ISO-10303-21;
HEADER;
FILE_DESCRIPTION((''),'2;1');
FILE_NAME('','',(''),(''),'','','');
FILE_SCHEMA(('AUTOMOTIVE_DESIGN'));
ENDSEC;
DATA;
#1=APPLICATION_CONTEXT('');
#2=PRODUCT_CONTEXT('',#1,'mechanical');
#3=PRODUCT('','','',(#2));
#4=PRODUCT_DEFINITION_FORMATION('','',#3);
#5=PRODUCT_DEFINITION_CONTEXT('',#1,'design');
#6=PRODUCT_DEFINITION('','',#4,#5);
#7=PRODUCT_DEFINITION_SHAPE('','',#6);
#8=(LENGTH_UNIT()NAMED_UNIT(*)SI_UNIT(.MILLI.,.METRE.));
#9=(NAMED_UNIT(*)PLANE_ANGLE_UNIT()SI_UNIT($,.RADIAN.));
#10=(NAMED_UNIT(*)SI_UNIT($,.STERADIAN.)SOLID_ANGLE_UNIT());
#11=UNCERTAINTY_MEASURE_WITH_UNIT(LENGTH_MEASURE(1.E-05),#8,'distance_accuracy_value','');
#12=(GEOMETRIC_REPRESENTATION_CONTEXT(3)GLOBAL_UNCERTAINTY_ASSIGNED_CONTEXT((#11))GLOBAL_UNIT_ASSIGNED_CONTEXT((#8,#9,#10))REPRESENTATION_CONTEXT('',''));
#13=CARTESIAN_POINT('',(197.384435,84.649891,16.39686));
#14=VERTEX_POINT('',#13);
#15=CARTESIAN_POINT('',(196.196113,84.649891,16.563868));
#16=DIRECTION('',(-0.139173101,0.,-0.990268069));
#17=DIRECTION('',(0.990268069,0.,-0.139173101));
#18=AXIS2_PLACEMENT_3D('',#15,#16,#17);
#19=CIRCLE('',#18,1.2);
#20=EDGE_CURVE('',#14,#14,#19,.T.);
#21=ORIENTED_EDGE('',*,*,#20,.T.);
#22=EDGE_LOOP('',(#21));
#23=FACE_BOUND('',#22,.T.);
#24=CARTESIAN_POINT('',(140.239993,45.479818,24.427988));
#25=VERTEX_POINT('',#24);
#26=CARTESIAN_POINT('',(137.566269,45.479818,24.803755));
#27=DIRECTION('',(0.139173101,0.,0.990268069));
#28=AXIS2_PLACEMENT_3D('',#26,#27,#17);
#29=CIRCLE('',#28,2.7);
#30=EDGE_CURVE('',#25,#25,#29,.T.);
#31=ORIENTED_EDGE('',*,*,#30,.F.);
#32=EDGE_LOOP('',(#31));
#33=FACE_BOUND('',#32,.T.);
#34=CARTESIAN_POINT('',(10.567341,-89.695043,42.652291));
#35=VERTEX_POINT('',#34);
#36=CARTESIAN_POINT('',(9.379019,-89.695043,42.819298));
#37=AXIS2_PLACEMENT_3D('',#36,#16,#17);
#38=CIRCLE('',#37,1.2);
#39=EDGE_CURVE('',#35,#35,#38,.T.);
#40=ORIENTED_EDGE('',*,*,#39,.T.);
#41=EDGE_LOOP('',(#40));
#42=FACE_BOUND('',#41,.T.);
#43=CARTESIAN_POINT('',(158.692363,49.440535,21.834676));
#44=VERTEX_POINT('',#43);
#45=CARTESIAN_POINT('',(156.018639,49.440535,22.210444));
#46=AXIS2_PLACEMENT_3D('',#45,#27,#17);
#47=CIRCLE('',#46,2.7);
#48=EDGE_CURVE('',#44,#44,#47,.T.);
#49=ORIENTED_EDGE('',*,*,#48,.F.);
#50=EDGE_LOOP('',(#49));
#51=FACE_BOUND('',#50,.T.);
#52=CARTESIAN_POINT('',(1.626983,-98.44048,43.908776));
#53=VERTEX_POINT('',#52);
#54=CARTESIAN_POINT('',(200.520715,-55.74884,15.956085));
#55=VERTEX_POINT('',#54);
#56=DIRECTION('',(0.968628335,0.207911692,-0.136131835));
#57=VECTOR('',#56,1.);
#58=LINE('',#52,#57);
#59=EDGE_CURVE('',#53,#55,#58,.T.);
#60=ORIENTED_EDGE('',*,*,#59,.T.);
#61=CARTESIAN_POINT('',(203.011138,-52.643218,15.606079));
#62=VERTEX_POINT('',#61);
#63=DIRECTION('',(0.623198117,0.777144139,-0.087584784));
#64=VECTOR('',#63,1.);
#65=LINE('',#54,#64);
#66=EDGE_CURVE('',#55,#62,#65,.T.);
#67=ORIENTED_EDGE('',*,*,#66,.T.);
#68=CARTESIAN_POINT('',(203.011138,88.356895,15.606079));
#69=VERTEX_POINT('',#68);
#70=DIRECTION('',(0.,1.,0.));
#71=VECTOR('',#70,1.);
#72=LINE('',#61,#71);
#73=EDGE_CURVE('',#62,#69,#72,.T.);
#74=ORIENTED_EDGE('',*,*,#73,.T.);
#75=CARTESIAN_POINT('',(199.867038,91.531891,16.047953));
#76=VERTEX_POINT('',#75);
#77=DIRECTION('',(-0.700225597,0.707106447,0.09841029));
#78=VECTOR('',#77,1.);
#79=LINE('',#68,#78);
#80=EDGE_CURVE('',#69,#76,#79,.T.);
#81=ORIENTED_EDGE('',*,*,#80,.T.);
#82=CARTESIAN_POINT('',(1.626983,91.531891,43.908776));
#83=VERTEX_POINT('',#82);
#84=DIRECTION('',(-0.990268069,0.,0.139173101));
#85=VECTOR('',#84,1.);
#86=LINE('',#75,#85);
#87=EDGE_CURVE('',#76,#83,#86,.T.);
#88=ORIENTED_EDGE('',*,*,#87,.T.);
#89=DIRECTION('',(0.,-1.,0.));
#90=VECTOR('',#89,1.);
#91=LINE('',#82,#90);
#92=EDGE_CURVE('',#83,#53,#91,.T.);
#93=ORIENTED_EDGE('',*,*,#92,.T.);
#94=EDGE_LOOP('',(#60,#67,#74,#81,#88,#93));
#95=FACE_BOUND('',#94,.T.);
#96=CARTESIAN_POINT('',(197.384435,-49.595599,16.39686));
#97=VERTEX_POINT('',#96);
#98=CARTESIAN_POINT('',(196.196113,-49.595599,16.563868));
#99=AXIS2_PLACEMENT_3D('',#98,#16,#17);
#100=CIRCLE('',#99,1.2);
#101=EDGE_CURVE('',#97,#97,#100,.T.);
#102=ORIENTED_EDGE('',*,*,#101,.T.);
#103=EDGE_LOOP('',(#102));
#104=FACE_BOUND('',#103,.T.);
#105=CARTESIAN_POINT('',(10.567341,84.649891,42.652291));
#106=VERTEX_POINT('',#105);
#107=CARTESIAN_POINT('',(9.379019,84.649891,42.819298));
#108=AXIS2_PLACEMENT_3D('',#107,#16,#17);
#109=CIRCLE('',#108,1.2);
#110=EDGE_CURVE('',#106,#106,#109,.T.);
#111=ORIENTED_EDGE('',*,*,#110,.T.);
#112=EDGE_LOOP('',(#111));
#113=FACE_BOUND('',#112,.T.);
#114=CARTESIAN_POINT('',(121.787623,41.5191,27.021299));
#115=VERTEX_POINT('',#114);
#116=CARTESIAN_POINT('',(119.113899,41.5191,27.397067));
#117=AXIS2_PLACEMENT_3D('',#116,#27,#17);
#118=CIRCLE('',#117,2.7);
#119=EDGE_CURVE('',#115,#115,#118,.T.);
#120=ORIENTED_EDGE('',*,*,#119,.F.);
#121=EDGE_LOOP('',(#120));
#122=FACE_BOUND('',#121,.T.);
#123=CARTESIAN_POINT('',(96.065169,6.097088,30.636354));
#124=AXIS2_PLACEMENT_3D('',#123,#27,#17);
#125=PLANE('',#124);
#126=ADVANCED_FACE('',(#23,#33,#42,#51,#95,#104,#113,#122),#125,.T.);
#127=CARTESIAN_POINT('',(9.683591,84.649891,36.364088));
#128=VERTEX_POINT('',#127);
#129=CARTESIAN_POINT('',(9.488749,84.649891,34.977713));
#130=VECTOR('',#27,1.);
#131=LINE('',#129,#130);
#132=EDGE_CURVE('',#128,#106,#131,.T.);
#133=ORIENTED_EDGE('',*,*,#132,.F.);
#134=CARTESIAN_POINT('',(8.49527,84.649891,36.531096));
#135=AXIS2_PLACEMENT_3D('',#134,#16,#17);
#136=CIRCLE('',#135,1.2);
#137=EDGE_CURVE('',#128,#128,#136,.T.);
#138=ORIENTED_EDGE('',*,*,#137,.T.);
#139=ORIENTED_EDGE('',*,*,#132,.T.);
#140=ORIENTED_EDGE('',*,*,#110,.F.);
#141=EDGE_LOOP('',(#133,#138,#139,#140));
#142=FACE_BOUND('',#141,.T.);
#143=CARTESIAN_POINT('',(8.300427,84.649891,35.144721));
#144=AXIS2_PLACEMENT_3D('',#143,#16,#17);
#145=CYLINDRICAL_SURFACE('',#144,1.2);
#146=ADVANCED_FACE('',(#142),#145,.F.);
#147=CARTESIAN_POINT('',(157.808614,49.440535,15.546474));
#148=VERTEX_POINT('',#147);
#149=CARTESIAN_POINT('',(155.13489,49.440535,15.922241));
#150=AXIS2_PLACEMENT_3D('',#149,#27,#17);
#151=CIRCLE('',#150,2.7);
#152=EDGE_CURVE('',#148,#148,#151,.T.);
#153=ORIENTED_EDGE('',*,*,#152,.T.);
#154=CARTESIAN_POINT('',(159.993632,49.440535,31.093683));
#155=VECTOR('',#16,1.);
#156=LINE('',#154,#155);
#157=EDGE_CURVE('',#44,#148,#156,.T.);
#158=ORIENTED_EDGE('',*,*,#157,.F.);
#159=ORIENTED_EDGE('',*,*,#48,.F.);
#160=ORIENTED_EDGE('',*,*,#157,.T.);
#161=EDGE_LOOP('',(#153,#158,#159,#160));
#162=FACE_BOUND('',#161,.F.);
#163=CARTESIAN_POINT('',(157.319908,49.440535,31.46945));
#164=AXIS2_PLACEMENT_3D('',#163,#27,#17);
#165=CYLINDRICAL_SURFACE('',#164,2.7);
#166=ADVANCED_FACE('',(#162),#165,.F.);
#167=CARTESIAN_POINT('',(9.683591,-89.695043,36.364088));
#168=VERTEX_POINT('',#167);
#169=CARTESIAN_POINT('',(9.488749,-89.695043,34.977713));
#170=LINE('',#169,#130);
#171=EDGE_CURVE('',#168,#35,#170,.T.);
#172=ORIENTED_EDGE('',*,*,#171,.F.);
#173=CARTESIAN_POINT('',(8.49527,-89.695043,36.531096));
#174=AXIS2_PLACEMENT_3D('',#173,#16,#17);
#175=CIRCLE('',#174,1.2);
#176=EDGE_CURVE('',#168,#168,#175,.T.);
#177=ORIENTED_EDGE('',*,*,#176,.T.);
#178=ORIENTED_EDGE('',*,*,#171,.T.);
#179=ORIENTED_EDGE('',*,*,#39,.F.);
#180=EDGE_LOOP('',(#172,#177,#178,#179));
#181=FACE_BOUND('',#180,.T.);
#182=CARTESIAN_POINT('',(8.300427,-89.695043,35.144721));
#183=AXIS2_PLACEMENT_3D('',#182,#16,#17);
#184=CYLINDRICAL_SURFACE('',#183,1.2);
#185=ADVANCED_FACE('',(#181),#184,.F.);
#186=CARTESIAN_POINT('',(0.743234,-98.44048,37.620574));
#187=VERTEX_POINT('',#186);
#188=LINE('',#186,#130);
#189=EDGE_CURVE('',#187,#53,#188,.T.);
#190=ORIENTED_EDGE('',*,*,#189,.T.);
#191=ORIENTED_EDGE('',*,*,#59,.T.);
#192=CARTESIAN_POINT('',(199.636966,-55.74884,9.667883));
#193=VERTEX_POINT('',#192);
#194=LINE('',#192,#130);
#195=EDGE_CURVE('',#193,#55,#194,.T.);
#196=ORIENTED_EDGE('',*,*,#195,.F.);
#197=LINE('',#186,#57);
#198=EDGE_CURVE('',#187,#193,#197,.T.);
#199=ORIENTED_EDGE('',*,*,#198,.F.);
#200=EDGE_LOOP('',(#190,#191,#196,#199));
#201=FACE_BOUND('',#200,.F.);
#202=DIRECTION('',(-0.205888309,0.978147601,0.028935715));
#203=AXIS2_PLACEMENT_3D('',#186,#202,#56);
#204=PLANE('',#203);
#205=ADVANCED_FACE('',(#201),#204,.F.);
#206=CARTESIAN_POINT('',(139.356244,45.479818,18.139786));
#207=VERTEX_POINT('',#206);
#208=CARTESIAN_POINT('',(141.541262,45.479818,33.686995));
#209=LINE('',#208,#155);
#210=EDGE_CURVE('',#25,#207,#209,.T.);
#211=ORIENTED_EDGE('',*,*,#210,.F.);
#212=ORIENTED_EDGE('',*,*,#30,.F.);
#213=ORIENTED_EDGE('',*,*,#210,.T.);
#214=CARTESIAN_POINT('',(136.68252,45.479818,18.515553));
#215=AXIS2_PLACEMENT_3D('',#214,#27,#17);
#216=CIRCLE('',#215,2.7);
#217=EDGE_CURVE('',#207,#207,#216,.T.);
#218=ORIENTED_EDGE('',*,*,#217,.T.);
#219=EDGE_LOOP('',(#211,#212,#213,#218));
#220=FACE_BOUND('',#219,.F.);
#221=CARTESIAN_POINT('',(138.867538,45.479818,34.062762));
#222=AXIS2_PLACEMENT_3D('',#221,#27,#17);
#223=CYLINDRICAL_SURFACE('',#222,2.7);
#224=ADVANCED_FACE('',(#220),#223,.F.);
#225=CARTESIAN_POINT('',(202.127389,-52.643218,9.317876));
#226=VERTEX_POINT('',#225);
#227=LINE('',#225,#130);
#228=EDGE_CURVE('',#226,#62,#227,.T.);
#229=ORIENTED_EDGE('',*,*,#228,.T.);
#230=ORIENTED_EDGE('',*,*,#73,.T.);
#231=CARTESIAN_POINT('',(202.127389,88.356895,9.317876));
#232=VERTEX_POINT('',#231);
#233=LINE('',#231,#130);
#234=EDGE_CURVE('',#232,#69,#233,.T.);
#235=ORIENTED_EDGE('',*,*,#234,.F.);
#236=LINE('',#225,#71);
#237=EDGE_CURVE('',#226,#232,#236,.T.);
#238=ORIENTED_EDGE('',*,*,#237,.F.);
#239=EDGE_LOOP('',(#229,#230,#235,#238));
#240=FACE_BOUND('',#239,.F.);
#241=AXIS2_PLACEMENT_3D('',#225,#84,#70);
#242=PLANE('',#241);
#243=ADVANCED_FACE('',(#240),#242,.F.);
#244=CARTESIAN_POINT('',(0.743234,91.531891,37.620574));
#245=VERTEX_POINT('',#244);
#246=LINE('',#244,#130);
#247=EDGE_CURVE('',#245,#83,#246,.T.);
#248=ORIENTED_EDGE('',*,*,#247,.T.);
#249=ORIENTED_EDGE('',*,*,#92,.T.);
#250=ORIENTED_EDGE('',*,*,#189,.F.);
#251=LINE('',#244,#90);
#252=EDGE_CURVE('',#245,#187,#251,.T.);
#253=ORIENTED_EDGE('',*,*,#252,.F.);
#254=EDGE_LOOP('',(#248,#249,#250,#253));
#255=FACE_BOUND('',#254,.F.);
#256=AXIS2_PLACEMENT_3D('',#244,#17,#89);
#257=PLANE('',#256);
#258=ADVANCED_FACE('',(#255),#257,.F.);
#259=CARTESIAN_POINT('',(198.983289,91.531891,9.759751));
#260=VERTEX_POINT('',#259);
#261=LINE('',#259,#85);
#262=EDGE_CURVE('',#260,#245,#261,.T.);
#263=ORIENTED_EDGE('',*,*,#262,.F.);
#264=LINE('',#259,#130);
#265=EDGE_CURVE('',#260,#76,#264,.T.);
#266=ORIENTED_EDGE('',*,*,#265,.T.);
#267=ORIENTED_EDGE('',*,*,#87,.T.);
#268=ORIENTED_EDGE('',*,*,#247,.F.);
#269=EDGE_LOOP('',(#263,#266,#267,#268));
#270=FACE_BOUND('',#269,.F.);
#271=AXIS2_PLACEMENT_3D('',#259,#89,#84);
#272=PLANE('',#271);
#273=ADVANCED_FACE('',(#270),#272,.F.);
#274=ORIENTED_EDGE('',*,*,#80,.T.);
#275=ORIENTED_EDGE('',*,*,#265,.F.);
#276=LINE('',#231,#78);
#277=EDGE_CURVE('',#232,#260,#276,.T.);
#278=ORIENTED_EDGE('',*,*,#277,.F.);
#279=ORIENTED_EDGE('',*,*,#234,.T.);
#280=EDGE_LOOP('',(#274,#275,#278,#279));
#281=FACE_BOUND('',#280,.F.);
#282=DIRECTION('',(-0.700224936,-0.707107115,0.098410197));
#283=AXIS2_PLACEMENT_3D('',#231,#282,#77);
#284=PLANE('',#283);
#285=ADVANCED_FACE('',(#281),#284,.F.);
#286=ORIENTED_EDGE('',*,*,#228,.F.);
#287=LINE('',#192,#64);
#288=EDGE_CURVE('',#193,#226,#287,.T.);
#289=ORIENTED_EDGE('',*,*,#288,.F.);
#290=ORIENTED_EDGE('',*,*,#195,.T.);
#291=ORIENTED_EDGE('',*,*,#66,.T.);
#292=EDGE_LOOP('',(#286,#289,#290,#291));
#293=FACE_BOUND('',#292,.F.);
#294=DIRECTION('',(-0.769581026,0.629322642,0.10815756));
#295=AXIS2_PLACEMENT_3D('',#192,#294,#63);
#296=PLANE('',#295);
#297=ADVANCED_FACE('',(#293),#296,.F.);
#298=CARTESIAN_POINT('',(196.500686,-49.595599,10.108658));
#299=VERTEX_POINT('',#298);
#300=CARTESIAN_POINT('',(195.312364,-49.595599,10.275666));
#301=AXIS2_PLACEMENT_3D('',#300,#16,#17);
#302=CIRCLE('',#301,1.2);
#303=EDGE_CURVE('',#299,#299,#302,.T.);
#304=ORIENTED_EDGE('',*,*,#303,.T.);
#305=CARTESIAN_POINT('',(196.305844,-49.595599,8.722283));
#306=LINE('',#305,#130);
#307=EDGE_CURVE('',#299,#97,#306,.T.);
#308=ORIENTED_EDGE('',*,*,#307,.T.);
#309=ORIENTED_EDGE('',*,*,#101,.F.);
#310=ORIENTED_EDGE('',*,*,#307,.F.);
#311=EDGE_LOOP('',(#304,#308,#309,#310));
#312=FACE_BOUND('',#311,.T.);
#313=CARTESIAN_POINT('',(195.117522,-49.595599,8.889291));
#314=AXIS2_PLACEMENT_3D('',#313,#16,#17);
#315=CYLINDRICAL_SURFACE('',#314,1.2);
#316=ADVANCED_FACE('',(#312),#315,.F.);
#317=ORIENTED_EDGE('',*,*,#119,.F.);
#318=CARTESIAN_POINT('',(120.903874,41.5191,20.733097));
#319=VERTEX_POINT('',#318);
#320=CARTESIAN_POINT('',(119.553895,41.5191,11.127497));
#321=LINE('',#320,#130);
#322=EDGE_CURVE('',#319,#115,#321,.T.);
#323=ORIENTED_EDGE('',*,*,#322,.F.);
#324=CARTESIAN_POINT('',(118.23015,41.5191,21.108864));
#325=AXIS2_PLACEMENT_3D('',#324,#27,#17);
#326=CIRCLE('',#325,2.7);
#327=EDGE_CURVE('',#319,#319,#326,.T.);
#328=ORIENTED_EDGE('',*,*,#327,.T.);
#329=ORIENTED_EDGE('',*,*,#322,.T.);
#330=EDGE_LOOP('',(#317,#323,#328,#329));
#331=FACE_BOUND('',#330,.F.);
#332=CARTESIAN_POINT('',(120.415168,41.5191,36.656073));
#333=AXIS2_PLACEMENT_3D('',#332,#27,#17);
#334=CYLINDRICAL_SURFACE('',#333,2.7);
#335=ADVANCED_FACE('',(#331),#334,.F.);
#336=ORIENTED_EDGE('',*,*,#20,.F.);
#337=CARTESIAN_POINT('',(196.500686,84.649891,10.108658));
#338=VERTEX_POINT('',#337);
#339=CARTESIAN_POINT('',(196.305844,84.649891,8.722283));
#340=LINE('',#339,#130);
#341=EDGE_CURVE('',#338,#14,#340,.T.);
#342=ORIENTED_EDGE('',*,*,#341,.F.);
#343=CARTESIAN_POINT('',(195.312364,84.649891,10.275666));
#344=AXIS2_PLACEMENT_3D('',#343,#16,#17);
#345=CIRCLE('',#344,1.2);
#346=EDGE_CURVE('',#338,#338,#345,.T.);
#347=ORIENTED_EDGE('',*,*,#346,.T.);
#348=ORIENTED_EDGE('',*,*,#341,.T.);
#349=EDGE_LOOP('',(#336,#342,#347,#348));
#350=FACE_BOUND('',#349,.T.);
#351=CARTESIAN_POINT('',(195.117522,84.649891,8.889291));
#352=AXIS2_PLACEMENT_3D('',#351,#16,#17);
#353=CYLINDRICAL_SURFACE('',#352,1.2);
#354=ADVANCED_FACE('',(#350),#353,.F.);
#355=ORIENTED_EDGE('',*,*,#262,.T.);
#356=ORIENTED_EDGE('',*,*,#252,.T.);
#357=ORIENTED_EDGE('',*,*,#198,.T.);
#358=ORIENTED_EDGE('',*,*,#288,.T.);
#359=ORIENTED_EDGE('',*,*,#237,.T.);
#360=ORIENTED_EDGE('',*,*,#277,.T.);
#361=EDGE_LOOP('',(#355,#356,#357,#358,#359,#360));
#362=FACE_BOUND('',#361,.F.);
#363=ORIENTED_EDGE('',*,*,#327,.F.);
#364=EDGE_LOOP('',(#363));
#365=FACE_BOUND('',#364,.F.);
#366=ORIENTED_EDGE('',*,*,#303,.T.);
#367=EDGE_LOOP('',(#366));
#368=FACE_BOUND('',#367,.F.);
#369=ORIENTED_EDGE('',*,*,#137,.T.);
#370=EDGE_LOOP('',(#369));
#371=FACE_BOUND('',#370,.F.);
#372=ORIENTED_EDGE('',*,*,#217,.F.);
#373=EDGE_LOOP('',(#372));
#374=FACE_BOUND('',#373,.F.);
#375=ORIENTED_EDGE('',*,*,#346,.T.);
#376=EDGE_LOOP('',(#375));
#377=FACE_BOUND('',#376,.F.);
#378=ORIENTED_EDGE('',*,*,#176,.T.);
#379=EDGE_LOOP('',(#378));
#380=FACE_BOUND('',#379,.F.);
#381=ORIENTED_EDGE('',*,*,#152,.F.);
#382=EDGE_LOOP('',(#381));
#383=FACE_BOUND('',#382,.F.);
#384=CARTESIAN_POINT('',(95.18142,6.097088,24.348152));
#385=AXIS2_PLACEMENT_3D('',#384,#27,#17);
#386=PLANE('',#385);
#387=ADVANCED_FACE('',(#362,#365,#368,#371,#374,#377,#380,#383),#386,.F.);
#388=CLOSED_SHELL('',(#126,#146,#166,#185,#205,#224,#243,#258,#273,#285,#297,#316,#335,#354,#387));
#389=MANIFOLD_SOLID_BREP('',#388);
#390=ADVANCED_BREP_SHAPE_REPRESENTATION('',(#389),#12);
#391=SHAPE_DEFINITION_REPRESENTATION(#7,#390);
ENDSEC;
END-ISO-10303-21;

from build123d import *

# Parameters (mm, degrees)
SKETCH022_AS_DRAWN_R                      = 2.7
EXTRUDE013_DEPTH                          = 25.4
EXTRUDE013_ONTO_SKETCH022_PLACEMENT_ANGLE = 8
SKETCH018_AS_DRAWN_R                      = 1.2
EXTRUDE009_DEPTH                          = 7.8
EXTRUDE009_ONTO_SKETCH018_PLACEMENT_ANGLE = 8
EXTRUDE012_DEPTH                          = 6.35
EXTRUDE012_ONTO_SKETCH021_PLACEMENT_ANGLE = 8


with BuildPart() as top_led_holes:
    # Sketch022 as drawn → Extrude013 (new, symmetric)
    with BuildSketch(Plane.XY):
        with Locations((116.082414, 49.440535)):
            Circle(SKETCH022_AS_DRAWN_R)
        with Locations((97.448702, 45.479818)):
            Circle(SKETCH022_AS_DRAWN_R)
        with Locations((78.81499, 41.5191)):
            Circle(SKETCH022_AS_DRAWN_R)
    extrude(amount=EXTRUDE013_DEPTH, both=True)


with BuildPart() as top_led_holes_1:
    # Extrude013 onto Sketch022 placement: moved
    add(top_led_holes.part.moved(Location((42.3672, 0, 47.625))).rotate(Axis((42.3672, 0, 47.625), (0, 1, 0)), EXTRUDE013_ONTO_SKETCH022_PLACEMENT_ANGLE))


with BuildPart() as screw_hole_cuts:
    # Sketch018 as drawn → Extrude009 (new)
    with BuildSketch(Plane.XY):
        with Locations((-31.998318, 84.649891)):
            Circle(SKETCH018_AS_DRAWN_R)
        with Locations((-31.998318, -89.695043)):
            Circle(SKETCH018_AS_DRAWN_R)
        with Locations((156.654735, -49.595599)):
            Circle(SKETCH018_AS_DRAWN_R)
        with Locations((156.654735, 84.649891)):
            Circle(SKETCH018_AS_DRAWN_R)
    extrude(amount=EXTRUDE009_DEPTH)


with BuildPart() as screw_hole_cuts_1:
    # Extrude009 onto Sketch018 placement: moved
    add(screw_hole_cuts.part.moved(Location((39.98734, 0, 30.691416))).rotate(Axis((39.98734, 0, 30.691416), (0, 1, 0)), EXTRUDE009_ONTO_SKETCH018_PLACEMENT_ANGLE))


with BuildPart() as cut006:
    # Sketch021 as drawn → Extrude012 (new)
    with BuildSketch(Plane.XY):
        Polygon((-39.826537, 91.531891), (-39.826537, -98.44048), (161.021837, -55.74884), (163.536735, -52.643218), (163.536735, 88.356895), (160.361736, 91.531891), align=None)
    extrude(amount=EXTRUDE012_DEPTH)


with BuildPart() as cut006_1:
    # Extrude012 onto Sketch021 placement: moved
    add(cut006.part.moved(Location((40.182182, 0, 32.077791))).rotate(Axis((40.182182, 0, 32.077791), (0, 1, 0)), EXTRUDE012_ONTO_SKETCH021_PLACEMENT_ANGLE))

    # Cut004: cut Screw Hole Cuts
    add(screw_hole_cuts_1.part, mode=Mode.SUBTRACT)

    # Cut006: cut Top LED Holes
    add(top_led_holes_1.part, mode=Mode.SUBTRACT)


solid = cut006_1.part
